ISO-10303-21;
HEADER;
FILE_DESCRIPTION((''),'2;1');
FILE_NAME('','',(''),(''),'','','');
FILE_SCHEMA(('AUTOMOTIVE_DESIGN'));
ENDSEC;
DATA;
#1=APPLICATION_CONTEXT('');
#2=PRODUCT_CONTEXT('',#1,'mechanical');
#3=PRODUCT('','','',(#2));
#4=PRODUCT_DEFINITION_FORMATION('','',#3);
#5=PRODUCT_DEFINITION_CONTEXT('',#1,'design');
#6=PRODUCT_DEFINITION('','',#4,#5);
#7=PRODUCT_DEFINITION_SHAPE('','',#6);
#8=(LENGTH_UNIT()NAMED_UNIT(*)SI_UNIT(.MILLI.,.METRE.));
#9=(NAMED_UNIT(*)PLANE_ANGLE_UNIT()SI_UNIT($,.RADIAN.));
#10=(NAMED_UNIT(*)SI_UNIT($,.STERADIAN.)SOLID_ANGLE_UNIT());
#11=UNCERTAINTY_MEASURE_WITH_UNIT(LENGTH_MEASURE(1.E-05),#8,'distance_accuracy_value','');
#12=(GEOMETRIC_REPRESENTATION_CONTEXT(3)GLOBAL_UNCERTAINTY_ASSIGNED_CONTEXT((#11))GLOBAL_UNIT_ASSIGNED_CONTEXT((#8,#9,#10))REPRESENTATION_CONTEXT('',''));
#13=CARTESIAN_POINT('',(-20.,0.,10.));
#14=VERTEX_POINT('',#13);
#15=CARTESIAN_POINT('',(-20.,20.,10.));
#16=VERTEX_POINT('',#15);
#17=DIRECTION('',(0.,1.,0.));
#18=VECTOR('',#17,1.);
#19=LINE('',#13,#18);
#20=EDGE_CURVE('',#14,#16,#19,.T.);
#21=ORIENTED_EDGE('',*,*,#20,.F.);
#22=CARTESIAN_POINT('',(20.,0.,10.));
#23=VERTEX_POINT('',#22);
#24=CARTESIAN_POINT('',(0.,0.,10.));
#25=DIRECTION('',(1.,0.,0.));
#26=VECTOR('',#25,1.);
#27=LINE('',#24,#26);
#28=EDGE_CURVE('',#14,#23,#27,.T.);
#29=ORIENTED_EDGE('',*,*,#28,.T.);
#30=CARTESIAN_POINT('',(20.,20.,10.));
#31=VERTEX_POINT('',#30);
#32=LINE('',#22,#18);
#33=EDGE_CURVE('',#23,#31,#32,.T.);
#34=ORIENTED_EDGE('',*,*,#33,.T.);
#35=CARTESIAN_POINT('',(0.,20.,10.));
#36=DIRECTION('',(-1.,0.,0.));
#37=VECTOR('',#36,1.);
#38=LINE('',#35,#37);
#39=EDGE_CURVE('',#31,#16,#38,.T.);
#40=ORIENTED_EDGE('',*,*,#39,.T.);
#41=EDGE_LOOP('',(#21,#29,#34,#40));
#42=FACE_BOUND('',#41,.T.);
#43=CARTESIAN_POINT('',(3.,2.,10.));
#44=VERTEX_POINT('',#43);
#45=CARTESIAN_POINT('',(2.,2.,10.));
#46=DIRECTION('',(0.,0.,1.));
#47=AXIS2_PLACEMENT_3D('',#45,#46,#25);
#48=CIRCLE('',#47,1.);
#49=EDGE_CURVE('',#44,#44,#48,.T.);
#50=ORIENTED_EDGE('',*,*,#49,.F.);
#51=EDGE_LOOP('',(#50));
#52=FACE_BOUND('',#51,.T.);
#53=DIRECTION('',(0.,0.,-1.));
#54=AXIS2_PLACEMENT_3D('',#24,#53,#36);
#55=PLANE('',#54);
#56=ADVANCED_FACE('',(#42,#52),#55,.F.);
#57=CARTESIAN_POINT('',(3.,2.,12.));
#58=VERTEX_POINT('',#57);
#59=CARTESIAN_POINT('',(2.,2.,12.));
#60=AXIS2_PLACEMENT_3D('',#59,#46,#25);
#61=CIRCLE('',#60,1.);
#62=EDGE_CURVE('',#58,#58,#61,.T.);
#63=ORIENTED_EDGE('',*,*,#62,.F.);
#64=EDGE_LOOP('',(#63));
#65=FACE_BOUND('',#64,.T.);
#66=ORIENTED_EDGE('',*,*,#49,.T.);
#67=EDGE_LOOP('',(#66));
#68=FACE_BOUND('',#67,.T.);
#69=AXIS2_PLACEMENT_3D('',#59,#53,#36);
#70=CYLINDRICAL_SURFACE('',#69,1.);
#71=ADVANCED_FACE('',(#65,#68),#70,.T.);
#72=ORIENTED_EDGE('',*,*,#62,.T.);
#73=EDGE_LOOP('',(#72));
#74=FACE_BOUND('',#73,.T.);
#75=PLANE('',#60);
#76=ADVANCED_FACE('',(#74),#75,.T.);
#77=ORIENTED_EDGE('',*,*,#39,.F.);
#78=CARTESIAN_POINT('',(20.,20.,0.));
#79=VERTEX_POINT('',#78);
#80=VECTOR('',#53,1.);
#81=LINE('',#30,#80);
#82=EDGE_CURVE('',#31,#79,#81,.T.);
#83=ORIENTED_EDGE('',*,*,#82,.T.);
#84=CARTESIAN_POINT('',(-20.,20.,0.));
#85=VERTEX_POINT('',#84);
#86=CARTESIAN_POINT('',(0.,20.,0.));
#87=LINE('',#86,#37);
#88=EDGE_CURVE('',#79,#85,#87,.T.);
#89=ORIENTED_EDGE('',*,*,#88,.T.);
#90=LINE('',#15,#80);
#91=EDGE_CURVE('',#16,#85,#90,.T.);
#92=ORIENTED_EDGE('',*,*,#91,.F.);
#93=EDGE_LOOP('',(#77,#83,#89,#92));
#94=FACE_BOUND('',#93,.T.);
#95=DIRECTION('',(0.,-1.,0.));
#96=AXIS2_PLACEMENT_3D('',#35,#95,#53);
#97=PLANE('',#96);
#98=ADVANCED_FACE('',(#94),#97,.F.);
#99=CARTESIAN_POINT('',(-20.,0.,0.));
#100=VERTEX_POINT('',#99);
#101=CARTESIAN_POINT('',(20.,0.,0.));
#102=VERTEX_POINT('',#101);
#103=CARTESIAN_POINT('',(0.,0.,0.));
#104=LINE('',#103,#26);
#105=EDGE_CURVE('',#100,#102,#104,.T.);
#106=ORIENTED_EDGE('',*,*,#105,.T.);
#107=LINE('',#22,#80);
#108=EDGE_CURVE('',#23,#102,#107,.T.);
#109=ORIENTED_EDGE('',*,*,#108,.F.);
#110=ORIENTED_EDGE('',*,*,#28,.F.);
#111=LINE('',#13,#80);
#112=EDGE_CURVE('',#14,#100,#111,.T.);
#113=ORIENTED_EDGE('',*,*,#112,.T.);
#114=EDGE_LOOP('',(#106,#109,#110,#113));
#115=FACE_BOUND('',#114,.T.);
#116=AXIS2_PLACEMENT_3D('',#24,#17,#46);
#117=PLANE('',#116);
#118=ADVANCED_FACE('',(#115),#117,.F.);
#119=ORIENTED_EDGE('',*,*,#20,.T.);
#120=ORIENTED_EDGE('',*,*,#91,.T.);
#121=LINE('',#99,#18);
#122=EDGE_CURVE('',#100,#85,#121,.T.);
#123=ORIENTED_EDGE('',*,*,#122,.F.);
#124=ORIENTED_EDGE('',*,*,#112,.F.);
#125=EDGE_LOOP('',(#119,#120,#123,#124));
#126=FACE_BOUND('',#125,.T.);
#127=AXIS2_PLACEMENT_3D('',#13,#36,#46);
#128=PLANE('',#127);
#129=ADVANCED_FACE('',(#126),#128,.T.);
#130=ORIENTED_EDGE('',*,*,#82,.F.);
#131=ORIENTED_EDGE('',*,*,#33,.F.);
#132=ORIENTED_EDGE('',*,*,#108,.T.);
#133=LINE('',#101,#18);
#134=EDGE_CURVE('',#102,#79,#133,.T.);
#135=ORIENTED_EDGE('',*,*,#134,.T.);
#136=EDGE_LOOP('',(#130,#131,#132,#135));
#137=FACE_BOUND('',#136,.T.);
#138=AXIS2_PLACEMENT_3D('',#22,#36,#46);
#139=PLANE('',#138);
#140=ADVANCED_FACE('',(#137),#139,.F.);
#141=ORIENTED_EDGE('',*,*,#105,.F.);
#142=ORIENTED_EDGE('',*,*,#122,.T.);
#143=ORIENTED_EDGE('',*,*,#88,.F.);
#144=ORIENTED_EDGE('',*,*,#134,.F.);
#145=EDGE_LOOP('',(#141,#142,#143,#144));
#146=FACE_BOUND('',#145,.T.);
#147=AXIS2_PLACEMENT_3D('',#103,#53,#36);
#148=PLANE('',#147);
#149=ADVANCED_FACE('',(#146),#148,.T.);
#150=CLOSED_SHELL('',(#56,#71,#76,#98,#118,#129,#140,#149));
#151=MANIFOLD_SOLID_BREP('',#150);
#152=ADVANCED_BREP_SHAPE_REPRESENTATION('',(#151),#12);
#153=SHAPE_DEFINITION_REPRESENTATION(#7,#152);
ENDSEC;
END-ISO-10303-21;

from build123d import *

# Parameters (mm, degrees)
SKETCH_1_W     = 20
SKETCH_1_H     = 20
BASEBOX_DEPTH  = 10
SKETCH_2_R     = 1
BOSSSEED_DEPTH = 2


with BuildPart() as part:
    # 草图1 → BaseBox (new body)
    with BuildSketch(Plane.XY):
        with Locations((10, 10)):
            Rectangle(SKETCH_1_W, SKETCH_1_H)
    basebox = extrude(amount=BASEBOX_DEPTH)

    # 草图2 → BossSeed (add)
    with BuildSketch(Plane.XY.offset(10)):
        with Locations((2, 2)):
            Circle(SKETCH_2_R)
    extrude(amount=BOSSSEED_DEPTH)

    # Mirror 2: BaseBox across plane
    add(basebox.mirror(Plane(origin=(0, 0, 0), x_dir=(0, 0, 1), z_dir=(1, 0, 0))))


solid = part.part
